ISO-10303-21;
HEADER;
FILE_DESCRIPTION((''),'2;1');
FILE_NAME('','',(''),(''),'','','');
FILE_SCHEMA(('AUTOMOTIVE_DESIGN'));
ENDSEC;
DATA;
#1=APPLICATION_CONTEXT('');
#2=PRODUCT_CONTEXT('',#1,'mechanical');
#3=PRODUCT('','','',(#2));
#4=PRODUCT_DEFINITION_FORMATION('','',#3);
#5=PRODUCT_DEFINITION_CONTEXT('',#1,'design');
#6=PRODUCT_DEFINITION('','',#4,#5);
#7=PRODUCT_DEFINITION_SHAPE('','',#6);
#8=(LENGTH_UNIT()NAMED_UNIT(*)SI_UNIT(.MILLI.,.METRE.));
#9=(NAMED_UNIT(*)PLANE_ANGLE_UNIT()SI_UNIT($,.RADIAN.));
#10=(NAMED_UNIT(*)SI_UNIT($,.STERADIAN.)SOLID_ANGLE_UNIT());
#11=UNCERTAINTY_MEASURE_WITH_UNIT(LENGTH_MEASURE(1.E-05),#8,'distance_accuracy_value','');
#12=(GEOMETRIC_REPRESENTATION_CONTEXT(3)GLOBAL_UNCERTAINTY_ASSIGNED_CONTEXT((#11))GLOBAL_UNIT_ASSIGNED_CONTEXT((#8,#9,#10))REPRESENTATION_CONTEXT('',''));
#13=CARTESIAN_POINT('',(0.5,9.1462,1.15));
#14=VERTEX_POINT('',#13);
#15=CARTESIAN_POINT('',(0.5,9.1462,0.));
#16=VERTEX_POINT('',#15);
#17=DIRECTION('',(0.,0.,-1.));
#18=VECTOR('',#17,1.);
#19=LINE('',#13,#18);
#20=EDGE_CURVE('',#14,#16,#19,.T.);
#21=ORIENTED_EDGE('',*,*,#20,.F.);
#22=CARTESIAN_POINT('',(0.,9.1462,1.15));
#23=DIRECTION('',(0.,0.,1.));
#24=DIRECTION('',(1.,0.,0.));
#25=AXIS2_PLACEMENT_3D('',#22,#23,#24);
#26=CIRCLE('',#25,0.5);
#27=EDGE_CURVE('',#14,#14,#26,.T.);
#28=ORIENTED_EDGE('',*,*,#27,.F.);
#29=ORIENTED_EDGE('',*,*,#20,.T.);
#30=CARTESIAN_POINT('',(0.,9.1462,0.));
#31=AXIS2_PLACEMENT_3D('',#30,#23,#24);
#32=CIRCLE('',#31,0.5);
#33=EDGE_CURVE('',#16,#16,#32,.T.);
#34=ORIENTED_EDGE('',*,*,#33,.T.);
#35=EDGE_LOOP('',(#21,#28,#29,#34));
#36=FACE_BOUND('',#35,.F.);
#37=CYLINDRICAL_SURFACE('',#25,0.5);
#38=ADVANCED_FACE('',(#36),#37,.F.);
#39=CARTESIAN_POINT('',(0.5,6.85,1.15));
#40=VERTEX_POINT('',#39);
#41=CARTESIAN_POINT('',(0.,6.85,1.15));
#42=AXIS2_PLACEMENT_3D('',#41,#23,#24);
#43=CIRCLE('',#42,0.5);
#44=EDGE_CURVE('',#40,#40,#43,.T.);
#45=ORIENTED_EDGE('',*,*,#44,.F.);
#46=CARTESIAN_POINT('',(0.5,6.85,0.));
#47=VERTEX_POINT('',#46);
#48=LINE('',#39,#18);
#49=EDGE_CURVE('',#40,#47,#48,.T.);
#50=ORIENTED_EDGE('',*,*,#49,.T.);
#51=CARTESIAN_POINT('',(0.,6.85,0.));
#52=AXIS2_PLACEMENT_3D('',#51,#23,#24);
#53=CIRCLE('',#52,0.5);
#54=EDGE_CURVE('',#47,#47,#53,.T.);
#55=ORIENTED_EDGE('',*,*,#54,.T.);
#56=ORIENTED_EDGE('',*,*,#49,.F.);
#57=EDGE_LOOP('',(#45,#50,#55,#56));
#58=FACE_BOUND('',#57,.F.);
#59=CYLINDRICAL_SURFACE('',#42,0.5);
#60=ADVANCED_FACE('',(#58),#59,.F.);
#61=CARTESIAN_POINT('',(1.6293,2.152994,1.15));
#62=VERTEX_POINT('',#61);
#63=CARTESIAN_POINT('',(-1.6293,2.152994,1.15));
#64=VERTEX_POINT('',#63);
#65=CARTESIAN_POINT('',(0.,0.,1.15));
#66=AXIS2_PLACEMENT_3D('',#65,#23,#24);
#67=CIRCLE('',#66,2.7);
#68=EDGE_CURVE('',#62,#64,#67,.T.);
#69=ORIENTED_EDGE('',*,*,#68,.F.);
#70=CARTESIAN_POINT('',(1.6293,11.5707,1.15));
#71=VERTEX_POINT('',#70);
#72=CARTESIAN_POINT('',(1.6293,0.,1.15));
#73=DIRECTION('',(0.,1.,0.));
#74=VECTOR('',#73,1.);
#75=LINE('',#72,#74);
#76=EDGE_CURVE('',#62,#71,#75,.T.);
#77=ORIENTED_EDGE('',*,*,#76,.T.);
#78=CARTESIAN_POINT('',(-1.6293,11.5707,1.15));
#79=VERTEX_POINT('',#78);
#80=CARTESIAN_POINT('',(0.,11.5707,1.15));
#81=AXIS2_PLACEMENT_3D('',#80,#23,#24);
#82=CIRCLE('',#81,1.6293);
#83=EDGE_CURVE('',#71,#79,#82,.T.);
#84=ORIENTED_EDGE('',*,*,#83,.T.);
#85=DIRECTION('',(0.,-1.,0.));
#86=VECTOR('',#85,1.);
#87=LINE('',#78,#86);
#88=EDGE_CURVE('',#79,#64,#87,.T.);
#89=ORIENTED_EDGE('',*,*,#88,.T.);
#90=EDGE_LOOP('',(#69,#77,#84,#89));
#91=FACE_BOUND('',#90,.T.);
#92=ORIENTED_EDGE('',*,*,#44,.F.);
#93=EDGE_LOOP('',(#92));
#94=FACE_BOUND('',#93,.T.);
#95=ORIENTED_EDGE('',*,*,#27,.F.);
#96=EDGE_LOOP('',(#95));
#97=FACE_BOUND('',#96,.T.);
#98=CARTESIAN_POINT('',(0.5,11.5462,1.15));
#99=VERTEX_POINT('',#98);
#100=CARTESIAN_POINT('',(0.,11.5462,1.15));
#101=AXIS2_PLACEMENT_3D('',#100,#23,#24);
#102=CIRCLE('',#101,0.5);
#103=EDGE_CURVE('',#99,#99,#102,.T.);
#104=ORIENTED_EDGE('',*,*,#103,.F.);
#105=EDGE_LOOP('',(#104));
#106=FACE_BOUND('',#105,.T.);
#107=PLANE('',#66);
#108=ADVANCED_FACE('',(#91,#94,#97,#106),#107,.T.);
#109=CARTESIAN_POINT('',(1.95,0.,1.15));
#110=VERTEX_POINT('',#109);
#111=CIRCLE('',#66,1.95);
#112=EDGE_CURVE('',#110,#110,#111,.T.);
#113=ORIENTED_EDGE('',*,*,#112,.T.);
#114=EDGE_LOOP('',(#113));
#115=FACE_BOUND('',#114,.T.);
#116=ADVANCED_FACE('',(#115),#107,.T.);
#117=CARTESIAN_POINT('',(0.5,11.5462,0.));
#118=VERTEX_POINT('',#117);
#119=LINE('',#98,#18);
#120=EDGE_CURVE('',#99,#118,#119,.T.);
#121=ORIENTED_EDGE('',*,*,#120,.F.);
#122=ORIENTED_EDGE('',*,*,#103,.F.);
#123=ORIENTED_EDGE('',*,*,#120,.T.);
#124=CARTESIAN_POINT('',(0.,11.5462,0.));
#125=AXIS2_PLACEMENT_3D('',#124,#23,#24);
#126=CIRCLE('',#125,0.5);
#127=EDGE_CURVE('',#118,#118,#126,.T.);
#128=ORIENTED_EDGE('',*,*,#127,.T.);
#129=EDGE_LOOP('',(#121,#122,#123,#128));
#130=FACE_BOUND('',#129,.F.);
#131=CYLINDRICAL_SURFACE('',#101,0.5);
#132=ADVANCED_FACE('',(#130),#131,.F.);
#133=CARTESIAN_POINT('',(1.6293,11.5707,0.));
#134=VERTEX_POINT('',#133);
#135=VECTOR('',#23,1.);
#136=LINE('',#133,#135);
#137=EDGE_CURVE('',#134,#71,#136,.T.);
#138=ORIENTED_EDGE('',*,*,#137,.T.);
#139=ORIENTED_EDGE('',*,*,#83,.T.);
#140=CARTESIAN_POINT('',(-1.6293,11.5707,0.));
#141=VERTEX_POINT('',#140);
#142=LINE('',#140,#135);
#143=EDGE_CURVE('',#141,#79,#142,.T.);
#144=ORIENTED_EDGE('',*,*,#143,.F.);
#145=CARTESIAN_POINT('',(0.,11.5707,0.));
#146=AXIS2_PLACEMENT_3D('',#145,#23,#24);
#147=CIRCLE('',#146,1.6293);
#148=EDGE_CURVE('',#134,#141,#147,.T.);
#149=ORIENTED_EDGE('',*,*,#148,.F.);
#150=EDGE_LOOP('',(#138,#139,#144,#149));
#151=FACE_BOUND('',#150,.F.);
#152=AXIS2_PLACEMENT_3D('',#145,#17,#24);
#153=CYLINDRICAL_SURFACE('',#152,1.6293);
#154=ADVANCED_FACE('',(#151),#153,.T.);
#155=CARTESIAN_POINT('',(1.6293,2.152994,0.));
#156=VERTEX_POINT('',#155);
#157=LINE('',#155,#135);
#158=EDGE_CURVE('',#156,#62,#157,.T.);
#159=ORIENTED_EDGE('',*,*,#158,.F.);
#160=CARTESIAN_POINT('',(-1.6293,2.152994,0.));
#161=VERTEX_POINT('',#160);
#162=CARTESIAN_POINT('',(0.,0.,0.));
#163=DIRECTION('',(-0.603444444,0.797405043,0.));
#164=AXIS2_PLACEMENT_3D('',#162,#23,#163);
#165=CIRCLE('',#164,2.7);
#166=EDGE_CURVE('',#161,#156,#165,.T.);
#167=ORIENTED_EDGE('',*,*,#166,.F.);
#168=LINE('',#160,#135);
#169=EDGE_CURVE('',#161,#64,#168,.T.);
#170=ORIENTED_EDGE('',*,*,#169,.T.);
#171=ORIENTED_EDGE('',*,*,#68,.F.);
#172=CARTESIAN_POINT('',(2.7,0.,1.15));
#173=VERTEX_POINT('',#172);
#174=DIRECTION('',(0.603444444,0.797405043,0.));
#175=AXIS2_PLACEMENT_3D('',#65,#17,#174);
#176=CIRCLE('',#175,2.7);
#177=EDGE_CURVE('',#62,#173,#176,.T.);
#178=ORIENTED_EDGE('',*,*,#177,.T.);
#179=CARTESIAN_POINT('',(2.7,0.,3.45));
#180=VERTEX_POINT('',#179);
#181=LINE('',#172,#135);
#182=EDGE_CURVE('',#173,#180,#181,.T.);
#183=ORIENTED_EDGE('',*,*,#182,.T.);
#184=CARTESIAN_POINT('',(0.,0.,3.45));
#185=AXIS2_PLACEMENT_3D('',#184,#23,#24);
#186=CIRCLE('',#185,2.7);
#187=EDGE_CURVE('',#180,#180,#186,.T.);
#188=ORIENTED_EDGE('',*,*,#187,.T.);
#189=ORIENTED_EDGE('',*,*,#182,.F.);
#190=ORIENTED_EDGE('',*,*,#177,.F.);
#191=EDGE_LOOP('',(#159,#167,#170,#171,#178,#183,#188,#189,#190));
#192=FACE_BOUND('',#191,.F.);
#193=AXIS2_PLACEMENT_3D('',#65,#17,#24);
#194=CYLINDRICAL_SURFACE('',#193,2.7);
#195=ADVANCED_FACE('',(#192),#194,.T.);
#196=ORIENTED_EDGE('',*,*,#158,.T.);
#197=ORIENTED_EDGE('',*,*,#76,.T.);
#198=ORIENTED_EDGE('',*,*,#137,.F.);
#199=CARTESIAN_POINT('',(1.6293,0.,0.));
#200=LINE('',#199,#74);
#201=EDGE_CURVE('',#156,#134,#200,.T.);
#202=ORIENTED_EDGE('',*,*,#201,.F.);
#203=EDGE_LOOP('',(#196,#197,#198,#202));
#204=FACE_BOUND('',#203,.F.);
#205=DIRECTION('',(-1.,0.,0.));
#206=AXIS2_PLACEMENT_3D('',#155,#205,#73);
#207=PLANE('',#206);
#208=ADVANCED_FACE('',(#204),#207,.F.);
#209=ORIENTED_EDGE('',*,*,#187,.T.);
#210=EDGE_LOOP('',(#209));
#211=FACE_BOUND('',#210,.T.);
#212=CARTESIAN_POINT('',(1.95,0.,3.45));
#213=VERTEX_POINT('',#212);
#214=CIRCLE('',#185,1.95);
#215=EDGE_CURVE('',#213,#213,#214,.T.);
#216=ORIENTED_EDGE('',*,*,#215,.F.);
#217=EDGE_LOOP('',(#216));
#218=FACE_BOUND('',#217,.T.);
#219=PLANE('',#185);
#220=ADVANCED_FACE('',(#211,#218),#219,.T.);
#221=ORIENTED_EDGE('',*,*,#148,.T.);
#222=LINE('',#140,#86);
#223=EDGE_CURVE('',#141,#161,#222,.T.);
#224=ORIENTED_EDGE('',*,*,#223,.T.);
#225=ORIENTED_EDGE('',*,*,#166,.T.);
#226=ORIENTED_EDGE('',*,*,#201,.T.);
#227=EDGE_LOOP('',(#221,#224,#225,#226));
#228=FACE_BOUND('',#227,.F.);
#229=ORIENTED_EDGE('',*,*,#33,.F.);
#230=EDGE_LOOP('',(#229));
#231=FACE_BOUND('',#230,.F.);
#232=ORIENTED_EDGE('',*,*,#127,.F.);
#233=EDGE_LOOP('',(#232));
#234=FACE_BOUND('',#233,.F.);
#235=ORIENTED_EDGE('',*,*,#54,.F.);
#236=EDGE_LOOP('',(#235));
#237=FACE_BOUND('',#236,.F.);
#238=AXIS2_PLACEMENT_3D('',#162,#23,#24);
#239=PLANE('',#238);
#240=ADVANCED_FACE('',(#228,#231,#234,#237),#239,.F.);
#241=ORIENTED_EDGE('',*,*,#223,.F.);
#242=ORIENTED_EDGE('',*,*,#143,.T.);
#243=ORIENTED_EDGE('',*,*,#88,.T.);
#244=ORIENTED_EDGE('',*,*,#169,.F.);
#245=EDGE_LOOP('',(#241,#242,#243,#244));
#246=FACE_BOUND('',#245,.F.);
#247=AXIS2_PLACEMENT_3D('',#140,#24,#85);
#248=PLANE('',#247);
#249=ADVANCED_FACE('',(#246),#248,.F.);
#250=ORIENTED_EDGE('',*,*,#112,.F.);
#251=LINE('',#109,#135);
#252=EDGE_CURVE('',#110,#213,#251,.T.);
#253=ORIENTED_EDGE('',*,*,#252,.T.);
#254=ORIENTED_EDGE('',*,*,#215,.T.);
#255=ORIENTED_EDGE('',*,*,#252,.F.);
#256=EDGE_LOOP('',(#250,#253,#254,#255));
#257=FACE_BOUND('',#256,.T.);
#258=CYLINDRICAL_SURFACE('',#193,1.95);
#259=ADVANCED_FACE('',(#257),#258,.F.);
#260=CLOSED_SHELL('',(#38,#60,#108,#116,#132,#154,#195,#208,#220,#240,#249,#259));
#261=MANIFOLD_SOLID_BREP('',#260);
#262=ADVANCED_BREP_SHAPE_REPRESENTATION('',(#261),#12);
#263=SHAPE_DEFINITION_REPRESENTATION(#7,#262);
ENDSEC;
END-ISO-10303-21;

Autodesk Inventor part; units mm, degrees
ref_plane "YZ Plane" through (0, 0, 0) normal (1, 0, 0) x (0, 1, 0)
ref_plane "XZ Plane" through (0, 0, 0) normal (0, 1, 0) x (-1, 0, 0)
ref_plane "XY Plane" through (0, 0, 0) normal (0, 0, 1) x (1, 0, 0)
sketch "草图1" plane through (0, 0, 0) normal (0, 0, 1) x (1, 0, 0)
  circle A0 centre (0, 0) radius 2.7
  circle A1 centre (0, 0) radius 1.6
  line L0 (0, 0) -> (0, 11.5707) construction
  line L1 (1.6293, 0) -> (1.6293, 11.5707)
  line L2 (-1.6293, 11.5707) -> (-1.6293, 0)
  arc A2 (-1.6293, 0) -> (1.6293, 0) centre (0, 0) ccw
  arc A3 (1.6293, 11.5707) -> (-1.6293, 11.5707) centre (0, 11.5707) ccw
  point P0 (0, 5.7853)
  point P1 (0, 13.2)
  point P2 (0, -2.7)
  point P3 (-1.6293, 2.153)
  point P4 (1.6293, 2.153)
  dimension "d0" = 5.4
  dimension "d1" = 3.2
  dimension "d2" = 15.9
extrude "拉伸1" add sketch "草图1" along normal blind 1.15 contours A0 L2 A2 L1 | L1 A2 L2 A0 | A0 L2 A3 L1 | A1
sketch "草图2" plane through (0, 0, 1.15) normal (0, 0, 1) x (1, 0, 0)
  circle A0 centre (0, 0) radius 1.95
  circle A1 centre (0, 0) radius 2.7
  dimension "d5" = 3.9
extrude "拉伸2" add sketch "草图2" along normal blind 2.3
sketch "草图3" plane through (0, 0, 1.15) normal (0, 0, 1) x (1, 0, 0)
  circle A0 centre (0, 11.5462) radius 0.5
  circle A1 centre (0, 9.1462) radius 0.5
  circle A2 centre (0, 6.85) radius 0.5
  circle A3 centre (0, 0) radius 1.95 projected
  dimension "d8" = 1
  dimension "d9" = 1
  dimension "d10" = 1
  dimension "d12" = 6.85
  dimension "d13" = 2.4
extrude "拉伸3" cut sketch "草图3" against normal blind 2.3 contours A0 | A1 | A2
properties part number "摆臂"
